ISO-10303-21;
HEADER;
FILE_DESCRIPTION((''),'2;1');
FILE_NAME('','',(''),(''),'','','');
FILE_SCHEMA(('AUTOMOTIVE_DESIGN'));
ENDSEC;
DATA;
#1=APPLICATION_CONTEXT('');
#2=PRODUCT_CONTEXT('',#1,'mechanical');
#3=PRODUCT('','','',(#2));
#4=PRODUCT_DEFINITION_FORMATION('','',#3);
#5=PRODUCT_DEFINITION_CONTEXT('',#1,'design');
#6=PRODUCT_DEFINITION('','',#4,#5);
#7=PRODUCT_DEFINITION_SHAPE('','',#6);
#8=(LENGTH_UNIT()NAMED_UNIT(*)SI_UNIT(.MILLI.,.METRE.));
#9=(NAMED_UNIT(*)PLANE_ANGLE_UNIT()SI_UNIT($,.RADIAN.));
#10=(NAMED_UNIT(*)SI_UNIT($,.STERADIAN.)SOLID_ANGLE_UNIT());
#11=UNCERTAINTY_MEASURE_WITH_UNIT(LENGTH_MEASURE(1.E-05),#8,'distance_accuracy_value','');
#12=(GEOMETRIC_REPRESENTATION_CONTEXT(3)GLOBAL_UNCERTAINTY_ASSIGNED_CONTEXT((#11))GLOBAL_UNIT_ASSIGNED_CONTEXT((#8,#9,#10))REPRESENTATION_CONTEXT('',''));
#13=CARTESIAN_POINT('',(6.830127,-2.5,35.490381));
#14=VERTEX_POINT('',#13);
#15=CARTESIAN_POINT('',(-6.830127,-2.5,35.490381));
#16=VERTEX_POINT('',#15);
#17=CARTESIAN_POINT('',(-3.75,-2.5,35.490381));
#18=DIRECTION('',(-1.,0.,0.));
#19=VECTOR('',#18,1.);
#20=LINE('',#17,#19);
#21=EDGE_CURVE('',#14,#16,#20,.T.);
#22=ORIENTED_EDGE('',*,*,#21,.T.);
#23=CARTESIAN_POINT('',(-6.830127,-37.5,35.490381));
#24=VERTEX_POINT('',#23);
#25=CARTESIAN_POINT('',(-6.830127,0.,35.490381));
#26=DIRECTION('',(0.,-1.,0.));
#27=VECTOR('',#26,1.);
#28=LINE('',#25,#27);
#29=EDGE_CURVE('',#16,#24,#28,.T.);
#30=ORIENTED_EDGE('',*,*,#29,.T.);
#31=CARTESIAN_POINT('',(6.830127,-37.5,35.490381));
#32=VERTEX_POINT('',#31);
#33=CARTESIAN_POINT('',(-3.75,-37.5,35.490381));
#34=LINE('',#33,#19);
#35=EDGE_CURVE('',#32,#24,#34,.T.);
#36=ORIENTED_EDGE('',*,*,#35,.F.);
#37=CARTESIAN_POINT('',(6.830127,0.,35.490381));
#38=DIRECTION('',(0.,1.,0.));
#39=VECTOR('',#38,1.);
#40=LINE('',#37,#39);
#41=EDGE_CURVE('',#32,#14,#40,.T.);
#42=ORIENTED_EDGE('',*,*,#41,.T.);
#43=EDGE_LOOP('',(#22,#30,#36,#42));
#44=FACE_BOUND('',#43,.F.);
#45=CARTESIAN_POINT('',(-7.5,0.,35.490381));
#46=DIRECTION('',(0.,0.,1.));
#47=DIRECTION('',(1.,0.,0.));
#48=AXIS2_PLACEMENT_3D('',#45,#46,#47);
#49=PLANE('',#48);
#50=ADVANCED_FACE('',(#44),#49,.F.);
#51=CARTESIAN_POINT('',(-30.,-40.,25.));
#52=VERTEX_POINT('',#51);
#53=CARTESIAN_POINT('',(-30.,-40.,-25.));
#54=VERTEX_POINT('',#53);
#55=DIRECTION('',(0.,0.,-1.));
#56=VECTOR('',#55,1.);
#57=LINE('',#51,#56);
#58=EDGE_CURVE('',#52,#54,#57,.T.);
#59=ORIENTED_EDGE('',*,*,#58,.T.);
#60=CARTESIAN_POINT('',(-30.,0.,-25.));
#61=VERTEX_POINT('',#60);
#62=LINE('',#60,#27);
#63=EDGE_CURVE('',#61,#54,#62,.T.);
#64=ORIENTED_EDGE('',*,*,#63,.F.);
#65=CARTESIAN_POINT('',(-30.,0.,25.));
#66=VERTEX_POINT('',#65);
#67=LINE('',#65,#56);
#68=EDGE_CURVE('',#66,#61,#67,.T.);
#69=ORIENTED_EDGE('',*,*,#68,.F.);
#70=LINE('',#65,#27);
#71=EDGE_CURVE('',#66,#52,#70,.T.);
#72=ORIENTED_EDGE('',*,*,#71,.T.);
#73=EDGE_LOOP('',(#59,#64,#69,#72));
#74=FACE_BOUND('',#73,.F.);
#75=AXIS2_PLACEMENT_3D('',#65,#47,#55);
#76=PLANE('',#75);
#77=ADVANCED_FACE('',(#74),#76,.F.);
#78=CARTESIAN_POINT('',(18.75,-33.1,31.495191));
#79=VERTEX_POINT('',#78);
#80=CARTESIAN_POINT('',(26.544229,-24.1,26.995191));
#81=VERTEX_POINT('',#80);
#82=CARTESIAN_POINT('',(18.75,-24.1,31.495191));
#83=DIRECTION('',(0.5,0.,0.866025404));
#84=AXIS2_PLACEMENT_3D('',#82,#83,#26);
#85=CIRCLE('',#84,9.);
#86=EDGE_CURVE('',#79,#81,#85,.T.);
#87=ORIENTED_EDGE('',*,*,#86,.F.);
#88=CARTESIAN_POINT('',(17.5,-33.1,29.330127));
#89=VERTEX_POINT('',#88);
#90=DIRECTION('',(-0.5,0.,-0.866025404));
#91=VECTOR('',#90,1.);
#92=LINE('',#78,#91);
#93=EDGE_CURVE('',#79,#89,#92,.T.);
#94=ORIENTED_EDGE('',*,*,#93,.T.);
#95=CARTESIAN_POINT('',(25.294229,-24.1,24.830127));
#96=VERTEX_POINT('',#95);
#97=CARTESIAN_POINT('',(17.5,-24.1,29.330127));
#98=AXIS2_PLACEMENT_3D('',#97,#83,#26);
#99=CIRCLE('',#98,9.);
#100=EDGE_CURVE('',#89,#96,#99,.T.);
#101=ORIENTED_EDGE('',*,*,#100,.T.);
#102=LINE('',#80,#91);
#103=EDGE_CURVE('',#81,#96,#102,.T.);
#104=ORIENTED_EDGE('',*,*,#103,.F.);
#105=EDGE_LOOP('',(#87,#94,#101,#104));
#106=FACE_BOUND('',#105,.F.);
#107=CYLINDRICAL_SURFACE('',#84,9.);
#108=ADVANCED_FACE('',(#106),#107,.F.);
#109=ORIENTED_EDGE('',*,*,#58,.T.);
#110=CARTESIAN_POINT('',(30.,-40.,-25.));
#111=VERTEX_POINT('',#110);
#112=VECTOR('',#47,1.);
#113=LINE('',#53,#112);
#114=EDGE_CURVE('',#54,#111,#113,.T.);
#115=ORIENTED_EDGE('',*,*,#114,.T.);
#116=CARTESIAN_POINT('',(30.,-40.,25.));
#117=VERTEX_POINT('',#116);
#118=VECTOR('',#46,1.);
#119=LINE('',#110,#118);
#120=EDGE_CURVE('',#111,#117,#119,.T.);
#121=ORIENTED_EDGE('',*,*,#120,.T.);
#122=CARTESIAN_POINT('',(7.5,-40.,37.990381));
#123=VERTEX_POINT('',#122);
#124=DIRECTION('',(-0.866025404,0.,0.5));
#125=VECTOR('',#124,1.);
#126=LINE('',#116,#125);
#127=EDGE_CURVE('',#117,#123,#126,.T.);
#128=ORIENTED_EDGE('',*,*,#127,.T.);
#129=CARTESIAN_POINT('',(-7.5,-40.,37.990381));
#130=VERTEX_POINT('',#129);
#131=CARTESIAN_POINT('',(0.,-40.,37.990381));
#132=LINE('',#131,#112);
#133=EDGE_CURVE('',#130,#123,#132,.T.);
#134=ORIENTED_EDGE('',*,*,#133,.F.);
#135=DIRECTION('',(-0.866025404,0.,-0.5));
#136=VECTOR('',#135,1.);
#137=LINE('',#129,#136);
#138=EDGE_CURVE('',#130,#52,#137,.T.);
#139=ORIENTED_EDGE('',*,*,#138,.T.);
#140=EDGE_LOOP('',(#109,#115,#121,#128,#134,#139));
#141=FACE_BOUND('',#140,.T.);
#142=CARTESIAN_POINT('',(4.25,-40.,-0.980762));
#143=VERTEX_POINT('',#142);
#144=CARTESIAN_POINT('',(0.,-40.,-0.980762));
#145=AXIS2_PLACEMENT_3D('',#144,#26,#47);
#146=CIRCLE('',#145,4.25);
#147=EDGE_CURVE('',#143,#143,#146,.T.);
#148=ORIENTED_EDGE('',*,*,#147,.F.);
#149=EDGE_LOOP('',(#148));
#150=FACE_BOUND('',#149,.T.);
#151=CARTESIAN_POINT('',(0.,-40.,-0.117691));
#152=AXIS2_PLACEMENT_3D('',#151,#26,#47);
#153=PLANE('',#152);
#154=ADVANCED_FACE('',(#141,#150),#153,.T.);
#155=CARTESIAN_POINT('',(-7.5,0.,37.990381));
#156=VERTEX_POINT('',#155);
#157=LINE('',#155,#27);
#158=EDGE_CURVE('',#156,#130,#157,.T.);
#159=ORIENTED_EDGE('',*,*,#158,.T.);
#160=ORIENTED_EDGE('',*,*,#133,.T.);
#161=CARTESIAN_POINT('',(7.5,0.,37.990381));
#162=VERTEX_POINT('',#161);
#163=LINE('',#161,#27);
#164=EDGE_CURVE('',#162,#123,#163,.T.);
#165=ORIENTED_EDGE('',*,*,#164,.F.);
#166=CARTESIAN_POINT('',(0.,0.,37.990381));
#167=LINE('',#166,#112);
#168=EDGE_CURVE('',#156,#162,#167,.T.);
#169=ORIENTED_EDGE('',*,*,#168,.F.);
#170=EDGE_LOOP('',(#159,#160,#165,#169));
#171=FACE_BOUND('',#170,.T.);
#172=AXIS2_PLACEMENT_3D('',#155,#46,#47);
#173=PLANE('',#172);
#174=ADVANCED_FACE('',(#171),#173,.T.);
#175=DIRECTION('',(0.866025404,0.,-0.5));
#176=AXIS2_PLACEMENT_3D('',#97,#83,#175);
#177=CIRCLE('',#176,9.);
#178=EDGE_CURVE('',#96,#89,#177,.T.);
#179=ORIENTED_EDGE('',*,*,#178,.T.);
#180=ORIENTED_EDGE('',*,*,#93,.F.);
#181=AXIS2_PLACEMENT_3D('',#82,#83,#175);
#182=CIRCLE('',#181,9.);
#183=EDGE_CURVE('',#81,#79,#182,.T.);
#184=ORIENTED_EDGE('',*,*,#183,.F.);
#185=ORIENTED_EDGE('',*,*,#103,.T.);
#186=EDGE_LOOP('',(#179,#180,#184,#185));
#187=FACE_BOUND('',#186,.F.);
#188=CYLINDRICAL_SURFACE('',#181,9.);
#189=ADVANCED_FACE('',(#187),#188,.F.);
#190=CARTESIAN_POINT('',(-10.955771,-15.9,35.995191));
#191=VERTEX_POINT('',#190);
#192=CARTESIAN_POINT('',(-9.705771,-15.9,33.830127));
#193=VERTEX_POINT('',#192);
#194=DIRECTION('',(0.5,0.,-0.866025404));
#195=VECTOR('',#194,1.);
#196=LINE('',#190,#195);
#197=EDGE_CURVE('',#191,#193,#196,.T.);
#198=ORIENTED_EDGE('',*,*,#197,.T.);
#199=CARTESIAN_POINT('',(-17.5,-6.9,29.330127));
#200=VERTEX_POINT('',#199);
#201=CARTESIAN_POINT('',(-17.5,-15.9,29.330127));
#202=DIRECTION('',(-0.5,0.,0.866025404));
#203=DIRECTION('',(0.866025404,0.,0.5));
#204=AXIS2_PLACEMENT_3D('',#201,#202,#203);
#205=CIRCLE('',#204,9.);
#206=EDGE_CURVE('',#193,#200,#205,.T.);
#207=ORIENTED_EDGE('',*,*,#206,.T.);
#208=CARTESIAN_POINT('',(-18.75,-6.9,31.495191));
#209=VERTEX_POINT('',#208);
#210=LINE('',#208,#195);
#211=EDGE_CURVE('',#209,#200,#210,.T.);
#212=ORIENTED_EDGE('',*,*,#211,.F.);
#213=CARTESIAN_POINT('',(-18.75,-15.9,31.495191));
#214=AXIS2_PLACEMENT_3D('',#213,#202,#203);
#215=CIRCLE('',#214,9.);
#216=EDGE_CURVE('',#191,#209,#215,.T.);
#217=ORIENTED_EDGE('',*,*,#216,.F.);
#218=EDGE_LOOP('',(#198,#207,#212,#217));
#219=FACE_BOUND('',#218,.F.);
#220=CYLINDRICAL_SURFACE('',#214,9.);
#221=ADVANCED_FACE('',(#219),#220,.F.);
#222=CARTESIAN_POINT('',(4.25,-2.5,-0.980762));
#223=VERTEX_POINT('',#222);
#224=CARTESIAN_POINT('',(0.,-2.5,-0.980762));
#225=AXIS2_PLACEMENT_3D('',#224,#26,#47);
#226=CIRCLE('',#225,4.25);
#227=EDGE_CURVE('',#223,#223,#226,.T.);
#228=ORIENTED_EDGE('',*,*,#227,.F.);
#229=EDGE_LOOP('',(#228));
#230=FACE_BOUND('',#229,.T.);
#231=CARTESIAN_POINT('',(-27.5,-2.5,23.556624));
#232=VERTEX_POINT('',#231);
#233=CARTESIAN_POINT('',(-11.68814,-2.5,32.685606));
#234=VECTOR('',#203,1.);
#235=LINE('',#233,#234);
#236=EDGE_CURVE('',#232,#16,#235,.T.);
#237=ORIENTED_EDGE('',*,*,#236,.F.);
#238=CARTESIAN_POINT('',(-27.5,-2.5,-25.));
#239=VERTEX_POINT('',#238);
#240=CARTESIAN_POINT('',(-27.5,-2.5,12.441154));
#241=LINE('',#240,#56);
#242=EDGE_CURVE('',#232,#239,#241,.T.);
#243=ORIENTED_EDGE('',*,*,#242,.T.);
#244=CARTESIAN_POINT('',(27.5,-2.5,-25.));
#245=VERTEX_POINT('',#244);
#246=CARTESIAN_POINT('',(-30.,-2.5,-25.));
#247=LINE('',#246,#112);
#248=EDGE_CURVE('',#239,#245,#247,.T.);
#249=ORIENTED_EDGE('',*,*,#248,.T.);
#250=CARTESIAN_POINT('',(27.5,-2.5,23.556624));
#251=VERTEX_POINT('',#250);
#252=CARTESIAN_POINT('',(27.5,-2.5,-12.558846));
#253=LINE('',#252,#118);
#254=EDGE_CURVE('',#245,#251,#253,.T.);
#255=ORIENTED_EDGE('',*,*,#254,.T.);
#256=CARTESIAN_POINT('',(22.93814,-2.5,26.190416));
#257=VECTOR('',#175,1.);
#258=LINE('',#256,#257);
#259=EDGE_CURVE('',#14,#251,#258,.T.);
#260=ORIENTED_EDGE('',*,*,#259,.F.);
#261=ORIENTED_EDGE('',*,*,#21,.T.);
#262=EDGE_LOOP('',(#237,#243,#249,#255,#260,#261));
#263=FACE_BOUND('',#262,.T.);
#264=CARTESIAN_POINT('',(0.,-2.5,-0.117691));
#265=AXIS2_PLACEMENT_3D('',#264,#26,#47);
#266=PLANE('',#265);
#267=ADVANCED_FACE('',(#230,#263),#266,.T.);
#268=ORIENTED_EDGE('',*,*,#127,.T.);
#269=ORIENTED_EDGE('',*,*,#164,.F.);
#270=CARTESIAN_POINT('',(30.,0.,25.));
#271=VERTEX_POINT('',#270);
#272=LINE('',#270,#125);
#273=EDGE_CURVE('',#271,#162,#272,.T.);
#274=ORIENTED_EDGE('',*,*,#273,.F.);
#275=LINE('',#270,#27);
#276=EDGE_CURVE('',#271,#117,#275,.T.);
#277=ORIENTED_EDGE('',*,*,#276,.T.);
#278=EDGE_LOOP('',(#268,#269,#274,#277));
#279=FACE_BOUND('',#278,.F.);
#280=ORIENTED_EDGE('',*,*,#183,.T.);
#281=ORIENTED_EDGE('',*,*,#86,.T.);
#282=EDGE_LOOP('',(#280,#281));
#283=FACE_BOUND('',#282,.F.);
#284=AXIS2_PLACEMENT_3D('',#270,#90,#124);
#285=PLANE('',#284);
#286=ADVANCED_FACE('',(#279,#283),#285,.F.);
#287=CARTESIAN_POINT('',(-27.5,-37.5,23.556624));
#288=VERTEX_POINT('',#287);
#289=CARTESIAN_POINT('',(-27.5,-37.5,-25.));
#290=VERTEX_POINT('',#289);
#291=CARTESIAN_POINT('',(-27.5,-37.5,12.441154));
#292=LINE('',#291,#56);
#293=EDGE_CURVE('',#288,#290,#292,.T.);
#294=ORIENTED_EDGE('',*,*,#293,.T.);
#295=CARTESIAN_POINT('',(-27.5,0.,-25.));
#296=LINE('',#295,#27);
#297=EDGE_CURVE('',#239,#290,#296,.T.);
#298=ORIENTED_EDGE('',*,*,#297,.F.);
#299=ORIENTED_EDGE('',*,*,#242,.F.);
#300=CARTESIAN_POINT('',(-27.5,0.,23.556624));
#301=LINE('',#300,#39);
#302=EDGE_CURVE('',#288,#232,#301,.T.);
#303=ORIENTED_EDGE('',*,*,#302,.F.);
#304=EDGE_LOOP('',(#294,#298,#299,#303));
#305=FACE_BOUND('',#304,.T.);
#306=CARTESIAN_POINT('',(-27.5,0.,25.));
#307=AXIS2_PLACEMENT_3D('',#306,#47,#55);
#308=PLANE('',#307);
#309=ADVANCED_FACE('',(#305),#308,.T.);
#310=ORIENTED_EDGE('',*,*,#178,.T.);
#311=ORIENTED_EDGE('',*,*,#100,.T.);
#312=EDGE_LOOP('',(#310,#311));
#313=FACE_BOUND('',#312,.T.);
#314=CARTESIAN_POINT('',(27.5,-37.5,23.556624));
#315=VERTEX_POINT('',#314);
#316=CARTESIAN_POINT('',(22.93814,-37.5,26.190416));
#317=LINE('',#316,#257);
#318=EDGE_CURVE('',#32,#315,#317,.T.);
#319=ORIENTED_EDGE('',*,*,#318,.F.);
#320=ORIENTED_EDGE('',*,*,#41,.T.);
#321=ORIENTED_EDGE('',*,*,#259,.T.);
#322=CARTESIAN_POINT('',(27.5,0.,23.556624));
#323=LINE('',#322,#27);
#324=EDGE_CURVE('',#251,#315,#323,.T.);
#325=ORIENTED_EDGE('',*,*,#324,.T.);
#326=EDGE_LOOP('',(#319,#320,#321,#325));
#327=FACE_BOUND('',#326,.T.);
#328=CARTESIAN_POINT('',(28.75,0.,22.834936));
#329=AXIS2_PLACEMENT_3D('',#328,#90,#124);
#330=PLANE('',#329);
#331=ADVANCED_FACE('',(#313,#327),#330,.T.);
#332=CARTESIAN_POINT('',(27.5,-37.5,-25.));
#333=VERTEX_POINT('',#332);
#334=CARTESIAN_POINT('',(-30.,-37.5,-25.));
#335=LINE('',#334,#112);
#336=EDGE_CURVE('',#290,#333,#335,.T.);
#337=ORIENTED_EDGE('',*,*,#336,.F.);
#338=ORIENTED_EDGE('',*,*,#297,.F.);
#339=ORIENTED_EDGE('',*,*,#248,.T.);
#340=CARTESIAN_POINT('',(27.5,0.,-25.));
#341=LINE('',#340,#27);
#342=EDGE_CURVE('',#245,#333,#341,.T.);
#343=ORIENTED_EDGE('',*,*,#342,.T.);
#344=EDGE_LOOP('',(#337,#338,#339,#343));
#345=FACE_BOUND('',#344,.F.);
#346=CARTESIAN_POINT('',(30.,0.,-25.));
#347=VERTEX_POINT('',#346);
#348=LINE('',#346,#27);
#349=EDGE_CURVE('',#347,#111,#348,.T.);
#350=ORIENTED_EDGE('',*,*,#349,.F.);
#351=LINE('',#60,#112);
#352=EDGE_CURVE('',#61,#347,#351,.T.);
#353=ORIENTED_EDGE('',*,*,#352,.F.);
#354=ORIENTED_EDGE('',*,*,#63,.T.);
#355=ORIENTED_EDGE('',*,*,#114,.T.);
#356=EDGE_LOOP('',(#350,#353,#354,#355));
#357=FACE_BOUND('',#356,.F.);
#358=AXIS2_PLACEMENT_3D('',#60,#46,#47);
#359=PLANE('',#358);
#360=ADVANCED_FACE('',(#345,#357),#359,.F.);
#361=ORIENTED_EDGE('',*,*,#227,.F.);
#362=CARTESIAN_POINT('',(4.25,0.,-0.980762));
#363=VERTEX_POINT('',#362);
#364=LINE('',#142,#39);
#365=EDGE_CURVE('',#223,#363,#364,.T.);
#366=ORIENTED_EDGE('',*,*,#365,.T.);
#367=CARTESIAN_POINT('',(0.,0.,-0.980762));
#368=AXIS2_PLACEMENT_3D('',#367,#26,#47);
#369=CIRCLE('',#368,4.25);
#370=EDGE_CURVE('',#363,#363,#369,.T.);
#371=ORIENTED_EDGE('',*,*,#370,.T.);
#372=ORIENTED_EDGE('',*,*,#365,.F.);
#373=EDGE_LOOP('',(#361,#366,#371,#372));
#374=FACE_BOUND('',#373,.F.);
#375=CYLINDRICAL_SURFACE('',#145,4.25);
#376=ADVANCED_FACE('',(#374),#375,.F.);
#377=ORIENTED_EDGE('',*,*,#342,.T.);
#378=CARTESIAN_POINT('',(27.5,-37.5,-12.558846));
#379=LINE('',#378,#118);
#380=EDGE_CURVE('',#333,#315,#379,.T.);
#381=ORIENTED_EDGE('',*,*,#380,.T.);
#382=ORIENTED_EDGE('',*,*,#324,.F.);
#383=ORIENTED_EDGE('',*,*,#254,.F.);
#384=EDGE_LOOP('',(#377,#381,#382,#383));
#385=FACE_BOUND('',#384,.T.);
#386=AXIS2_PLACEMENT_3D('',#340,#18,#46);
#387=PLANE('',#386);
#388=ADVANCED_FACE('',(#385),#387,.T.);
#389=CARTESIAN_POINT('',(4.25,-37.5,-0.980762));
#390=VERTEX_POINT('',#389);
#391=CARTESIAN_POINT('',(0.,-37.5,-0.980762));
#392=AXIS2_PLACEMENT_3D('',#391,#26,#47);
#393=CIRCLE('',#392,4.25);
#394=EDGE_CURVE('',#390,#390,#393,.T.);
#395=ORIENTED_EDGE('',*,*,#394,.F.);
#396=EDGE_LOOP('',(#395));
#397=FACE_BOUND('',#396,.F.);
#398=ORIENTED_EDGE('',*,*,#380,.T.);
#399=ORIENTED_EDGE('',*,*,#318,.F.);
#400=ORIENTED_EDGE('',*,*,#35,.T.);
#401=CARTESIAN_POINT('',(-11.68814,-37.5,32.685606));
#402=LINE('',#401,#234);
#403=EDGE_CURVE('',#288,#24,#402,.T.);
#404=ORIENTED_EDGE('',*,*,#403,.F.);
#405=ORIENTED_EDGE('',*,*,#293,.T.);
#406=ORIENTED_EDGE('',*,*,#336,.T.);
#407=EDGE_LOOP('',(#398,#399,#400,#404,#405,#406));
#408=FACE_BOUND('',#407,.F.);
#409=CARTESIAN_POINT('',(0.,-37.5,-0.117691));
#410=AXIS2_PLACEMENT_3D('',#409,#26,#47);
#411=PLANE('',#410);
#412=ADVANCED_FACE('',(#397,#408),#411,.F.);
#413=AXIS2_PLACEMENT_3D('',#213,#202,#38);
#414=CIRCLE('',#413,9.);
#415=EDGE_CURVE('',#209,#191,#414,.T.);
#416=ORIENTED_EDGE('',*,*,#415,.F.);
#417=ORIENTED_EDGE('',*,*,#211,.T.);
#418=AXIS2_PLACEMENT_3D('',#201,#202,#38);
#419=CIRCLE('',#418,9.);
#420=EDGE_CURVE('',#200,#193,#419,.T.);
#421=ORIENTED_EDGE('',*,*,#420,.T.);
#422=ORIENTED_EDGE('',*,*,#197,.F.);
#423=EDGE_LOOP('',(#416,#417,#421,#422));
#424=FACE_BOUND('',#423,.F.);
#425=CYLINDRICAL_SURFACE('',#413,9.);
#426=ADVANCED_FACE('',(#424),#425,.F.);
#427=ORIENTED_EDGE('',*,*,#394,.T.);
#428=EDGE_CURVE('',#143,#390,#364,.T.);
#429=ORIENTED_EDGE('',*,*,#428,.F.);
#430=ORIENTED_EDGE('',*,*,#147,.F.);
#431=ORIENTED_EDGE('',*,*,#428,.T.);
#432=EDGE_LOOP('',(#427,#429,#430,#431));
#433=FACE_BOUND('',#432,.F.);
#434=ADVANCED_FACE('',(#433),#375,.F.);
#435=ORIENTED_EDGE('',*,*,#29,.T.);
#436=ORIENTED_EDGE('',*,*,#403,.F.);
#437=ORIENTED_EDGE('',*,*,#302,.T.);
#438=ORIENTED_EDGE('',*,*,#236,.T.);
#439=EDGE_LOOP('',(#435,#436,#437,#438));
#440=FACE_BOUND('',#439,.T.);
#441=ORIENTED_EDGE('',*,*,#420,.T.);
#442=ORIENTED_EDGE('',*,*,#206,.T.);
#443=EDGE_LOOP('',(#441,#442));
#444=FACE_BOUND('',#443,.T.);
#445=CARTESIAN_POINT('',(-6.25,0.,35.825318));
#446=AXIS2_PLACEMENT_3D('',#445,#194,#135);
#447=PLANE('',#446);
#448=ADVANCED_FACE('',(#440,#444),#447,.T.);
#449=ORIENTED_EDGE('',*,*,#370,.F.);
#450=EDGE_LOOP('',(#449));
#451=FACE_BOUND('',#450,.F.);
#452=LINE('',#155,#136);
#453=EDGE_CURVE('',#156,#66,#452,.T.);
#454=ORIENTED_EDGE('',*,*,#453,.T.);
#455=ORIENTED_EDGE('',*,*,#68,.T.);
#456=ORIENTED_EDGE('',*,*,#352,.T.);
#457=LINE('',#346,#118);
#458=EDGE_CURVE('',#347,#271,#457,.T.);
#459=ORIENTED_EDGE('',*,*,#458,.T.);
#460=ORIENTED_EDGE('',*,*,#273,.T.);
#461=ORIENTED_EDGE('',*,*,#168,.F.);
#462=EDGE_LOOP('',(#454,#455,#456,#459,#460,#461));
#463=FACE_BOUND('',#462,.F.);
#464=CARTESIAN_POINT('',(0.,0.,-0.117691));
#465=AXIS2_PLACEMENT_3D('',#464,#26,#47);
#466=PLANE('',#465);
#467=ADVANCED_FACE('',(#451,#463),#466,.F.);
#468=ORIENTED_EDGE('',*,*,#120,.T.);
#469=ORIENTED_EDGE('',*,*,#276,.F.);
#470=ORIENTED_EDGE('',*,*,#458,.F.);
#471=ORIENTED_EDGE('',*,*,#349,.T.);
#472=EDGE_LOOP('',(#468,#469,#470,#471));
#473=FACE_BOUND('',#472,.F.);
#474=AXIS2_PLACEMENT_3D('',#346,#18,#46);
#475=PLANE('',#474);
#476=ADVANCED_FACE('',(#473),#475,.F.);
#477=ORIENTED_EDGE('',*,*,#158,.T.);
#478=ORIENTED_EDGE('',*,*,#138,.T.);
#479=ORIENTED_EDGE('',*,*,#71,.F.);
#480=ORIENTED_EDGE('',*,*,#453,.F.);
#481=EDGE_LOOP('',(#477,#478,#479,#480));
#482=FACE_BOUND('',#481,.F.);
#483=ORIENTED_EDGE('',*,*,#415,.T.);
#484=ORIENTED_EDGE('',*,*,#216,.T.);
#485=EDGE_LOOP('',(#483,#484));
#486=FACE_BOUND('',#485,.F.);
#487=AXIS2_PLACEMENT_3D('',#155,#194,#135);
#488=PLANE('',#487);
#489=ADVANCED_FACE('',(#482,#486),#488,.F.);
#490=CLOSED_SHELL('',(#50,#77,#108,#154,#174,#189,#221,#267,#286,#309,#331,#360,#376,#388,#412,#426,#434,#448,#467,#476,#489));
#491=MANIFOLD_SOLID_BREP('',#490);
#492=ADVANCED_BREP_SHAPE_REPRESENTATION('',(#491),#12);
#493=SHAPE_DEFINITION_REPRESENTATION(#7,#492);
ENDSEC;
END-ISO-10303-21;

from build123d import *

# Parameters (mm, degrees)
F0_W     = 15
F0_H     = 12.9903810568
F1_DEPTH = 40
F4_T     = -2.5
F5_DEPTH = 25
F6_DEPTH = 25
F7_R     = 4.25
F8_DEPTH = 40


with BuildPart() as f1:
    # F0 (on Front) → F1 (new body)
    with BuildSketch(Plane.XZ):
        Polygon((30, 25), (15, 25), (0, -0.9807621135), (-15, 25), (-30, 25), (-30, -25), (30, -25), align=None)
        Polygon((7.5, 37.9903810568), (7.5, 25), (15, 25), (18.75, 31.4951905284), align=None)
        with Locations((0, 31.4951905284)):
            Rectangle(F0_W, F0_H)
        Polygon((-15, 25), (-7.5, 25), (-7.5, 37.9903810568), (-18.75, 31.4951905284), align=None)
        Polygon((-30, 25), (-15, 25), (-18.75, 31.4951905284), align=None)
        Polygon((18.75, 31.4951905284), (15, 25), (30, 25), align=None)
        Polygon((15, 25), (7.5, 25), (-7.5, 25), (-15, 25), (0, -0.9807621135), align=None)
    extrude(amount=F1_DEPTH)

    # F4
    f4_openings = [f1.faces().sort_by_distance(p)[0] for p in [
        (0, -20, -25),
    ]]
    offset(amount=F4_T, openings=f4_openings)

    # F3 (on face) → F5 (cut)
    with BuildSketch(Plane(origin=(18.3253175473, 0, 31.7403810568), x_dir=(0.8660254038, 0, -0.5), z_dir=(0.5, 0, 0.8660254038))):
        with BuildLine():
            ThreePointArc((9.4903810568, -24.1), (-5.8735799739, -17.7360389693), (0.4903810568, -33.1))
            ThreePointArc((0.4903810568, -33.1), (6.8543420874, -30.4639610307), (9.4903810568, -24.1))
        make_face()
    extrude(amount=-F5_DEPTH, mode=Mode.SUBTRACT)

    # F2 (on face) → F6 (cut)
    with BuildSketch(Plane(origin=(-18.3253175473, 0, 31.7403810568), x_dir=(0.8660254038, 0, 0.5), z_dir=(-0.5, 0, 0.8660254038))):
        with BuildLine():
            ThreePointArc((8.5096189432, -15.9), (5.8735799739, -9.5360389693), (-0.4903810568, -6.9))
            ThreePointArc((-0.4903810568, -6.9), (-6.8543420874, -22.2639610307), (8.5096189432, -15.9))
        make_face()
    extrude(amount=-F6_DEPTH, mode=Mode.SUBTRACT)

    # F7 (on face) → F8 (cut)
    with BuildSketch(Plane.XZ.offset(40)):
        with Locations((0, -0.9807621135)):
            Circle(F7_R)
    extrude(amount=-F8_DEPTH, mode=Mode.SUBTRACT)


solid = f1.part
